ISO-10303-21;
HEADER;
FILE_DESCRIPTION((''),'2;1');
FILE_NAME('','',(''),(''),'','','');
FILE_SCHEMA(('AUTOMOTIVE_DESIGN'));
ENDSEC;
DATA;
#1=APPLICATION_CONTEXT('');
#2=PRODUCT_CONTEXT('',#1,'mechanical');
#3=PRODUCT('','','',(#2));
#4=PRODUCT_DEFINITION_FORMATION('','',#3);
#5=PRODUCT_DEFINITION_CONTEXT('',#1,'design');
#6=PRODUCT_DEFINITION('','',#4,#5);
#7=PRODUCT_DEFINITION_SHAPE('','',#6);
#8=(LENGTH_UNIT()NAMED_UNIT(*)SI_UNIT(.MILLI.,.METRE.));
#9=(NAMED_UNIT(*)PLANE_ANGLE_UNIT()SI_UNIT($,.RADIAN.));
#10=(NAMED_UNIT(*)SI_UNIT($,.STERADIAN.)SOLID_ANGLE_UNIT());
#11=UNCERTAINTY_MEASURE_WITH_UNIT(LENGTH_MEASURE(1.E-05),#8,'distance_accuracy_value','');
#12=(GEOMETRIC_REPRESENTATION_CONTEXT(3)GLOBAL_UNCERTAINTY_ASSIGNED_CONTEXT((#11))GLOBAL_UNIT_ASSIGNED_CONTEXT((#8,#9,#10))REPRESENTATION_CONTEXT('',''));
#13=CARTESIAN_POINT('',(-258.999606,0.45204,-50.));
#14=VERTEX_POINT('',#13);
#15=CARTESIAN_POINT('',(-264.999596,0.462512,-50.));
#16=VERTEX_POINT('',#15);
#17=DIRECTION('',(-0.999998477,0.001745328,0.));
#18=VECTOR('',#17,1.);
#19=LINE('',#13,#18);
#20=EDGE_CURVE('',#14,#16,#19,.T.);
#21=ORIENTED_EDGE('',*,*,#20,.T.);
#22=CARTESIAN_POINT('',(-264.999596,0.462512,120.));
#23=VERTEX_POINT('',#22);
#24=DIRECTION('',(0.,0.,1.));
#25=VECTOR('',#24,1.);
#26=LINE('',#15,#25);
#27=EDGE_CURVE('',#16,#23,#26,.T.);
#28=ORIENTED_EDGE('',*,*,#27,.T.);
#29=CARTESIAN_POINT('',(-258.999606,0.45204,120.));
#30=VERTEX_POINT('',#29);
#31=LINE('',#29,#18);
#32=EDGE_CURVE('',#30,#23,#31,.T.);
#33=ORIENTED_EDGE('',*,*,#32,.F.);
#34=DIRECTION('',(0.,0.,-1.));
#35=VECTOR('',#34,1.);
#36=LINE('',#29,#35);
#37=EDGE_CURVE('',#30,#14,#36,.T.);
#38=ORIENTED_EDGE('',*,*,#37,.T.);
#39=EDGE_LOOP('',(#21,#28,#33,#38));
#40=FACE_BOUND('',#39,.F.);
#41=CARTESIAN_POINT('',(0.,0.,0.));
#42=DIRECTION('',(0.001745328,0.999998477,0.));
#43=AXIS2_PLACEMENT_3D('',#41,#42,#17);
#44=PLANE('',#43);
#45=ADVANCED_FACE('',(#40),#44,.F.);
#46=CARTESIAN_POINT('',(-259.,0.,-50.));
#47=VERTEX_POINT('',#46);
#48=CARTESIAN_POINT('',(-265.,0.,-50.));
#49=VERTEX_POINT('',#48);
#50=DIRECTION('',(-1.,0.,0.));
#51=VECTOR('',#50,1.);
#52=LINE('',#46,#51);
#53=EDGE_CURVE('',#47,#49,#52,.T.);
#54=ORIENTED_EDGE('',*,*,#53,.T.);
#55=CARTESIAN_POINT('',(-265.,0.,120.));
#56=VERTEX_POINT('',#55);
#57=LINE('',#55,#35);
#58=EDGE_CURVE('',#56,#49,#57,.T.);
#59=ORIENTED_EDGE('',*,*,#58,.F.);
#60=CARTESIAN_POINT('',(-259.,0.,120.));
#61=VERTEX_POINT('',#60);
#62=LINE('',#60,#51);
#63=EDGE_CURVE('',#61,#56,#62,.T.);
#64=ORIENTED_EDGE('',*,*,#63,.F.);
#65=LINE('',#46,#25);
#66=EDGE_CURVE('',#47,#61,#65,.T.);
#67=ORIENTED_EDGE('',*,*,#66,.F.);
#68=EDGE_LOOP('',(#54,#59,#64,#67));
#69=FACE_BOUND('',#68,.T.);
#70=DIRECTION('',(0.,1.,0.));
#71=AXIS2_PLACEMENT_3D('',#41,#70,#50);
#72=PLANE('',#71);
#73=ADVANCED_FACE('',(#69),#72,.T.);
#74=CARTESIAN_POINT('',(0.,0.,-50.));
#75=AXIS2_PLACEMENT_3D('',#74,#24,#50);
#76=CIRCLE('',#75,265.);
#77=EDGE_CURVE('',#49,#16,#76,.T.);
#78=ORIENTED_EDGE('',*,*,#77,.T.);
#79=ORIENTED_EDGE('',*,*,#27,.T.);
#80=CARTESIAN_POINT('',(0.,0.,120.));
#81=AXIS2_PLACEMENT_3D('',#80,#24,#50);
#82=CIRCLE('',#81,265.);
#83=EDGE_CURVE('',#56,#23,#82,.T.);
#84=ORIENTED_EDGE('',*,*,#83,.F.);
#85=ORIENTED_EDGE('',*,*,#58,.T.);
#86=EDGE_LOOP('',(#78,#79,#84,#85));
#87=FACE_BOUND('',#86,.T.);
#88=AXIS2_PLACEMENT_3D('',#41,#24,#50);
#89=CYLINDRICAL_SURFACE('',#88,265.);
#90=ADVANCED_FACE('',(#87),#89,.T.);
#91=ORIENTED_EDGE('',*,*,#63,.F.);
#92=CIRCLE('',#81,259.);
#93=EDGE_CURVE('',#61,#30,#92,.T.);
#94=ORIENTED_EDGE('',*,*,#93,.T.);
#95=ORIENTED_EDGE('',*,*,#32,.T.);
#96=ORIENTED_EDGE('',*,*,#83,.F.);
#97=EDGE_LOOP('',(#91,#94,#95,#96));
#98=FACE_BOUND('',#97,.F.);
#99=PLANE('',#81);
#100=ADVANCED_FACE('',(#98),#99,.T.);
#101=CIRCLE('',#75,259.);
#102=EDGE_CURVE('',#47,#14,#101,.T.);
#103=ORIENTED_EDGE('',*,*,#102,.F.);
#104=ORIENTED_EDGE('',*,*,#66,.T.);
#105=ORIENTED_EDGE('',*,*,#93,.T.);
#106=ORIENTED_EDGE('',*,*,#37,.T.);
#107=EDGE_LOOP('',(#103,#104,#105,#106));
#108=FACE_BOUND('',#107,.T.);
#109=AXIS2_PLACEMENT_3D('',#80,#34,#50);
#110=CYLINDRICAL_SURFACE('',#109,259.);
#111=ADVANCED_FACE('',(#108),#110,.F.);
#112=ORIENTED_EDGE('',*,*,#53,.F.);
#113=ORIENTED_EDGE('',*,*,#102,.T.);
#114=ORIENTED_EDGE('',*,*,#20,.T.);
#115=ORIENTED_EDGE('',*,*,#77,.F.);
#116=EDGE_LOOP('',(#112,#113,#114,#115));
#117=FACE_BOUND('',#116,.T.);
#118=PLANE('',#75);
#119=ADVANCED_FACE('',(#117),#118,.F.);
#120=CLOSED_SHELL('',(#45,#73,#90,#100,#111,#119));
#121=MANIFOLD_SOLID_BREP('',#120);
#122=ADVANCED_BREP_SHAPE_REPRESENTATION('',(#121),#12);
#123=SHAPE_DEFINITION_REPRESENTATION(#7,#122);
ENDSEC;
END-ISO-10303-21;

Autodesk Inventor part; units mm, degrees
ref_plane "YZ Plane" through (0, 0, 0) normal (1, 0, 0) x (0, 1, 0)
ref_plane "XZ Plane" through (0, 0, 0) normal (0, 1, 0) x (-1, 0, 0)
ref_plane "XY Plane" through (0, 0, 0) normal (0, 0, 1) x (1, 0, 0)
sketch "Sketch1" plane through (0, 0, 0) normal (0, 1, 0) x (-1, 0, 0)
  line L0 (259, 120) -> (259, 0)
  line L1 (259, 0) -> (265, 0)
  line L2 (0, 0) -> (0, 109.131)
  line L3 (259, 120) -> (265, 120)
  line L4 (265, 0) -> (265, 120)
  line L5 (265, 0) -> (259, 0)
  line L6 (259, 0) -> (259, -50)
  line L7 (259, -50) -> (265, -50)
  line L8 (265, -50) -> (265, 0)
  point P0 (262, 0)
  point P1 (265, 0)
  point P2 (259, 0)
  dimension "d3" = 6
  dimension "d5" = 120
  dimension "d7" = 6
  dimension "d8" = 50
  dimension "d12" = 530
revolve "Revolution1" add sketch "Sketch1" angle 359.9 about axis through (0, 0, 0) along (0, 0, 1)
sketch "Sketch2" plane through (0, 0, 0) normal (0, 1, 0) x (-1, 0, 0)
  circle A0 centre (0, -606) radius 606
  point P0 (0, 0)
  dimension "d9" = 1212
extrude "Extrusion1" [suppressed]
equation "\"d5\" = Accsess_hatch_lenght"
equation "\"d7\" = d3"
equation "\"BendRadius\" = Thickness"
equation "\"BendReliefWidth\" = Thickness"
equation "\"BendReliefDepth\" = 0.5 * Thickness"
equation "\"CornerReliefSize\" = 4 * Thickness"
equation "\"MinimumRemnant\" = 2 * Thickness"
equation "\"TransitionRadius\" = BendRadius"
equation "\"JacobiRadiusSize\" = BendRadius"
equation "\"GapSize\" = Thickness"
equation "\"Accsess_hatch_lenght\" = 120"
equation "\"Thickness\" = 6"
properties part number "PNS 1751 accses hatch tube" material "Steel"
